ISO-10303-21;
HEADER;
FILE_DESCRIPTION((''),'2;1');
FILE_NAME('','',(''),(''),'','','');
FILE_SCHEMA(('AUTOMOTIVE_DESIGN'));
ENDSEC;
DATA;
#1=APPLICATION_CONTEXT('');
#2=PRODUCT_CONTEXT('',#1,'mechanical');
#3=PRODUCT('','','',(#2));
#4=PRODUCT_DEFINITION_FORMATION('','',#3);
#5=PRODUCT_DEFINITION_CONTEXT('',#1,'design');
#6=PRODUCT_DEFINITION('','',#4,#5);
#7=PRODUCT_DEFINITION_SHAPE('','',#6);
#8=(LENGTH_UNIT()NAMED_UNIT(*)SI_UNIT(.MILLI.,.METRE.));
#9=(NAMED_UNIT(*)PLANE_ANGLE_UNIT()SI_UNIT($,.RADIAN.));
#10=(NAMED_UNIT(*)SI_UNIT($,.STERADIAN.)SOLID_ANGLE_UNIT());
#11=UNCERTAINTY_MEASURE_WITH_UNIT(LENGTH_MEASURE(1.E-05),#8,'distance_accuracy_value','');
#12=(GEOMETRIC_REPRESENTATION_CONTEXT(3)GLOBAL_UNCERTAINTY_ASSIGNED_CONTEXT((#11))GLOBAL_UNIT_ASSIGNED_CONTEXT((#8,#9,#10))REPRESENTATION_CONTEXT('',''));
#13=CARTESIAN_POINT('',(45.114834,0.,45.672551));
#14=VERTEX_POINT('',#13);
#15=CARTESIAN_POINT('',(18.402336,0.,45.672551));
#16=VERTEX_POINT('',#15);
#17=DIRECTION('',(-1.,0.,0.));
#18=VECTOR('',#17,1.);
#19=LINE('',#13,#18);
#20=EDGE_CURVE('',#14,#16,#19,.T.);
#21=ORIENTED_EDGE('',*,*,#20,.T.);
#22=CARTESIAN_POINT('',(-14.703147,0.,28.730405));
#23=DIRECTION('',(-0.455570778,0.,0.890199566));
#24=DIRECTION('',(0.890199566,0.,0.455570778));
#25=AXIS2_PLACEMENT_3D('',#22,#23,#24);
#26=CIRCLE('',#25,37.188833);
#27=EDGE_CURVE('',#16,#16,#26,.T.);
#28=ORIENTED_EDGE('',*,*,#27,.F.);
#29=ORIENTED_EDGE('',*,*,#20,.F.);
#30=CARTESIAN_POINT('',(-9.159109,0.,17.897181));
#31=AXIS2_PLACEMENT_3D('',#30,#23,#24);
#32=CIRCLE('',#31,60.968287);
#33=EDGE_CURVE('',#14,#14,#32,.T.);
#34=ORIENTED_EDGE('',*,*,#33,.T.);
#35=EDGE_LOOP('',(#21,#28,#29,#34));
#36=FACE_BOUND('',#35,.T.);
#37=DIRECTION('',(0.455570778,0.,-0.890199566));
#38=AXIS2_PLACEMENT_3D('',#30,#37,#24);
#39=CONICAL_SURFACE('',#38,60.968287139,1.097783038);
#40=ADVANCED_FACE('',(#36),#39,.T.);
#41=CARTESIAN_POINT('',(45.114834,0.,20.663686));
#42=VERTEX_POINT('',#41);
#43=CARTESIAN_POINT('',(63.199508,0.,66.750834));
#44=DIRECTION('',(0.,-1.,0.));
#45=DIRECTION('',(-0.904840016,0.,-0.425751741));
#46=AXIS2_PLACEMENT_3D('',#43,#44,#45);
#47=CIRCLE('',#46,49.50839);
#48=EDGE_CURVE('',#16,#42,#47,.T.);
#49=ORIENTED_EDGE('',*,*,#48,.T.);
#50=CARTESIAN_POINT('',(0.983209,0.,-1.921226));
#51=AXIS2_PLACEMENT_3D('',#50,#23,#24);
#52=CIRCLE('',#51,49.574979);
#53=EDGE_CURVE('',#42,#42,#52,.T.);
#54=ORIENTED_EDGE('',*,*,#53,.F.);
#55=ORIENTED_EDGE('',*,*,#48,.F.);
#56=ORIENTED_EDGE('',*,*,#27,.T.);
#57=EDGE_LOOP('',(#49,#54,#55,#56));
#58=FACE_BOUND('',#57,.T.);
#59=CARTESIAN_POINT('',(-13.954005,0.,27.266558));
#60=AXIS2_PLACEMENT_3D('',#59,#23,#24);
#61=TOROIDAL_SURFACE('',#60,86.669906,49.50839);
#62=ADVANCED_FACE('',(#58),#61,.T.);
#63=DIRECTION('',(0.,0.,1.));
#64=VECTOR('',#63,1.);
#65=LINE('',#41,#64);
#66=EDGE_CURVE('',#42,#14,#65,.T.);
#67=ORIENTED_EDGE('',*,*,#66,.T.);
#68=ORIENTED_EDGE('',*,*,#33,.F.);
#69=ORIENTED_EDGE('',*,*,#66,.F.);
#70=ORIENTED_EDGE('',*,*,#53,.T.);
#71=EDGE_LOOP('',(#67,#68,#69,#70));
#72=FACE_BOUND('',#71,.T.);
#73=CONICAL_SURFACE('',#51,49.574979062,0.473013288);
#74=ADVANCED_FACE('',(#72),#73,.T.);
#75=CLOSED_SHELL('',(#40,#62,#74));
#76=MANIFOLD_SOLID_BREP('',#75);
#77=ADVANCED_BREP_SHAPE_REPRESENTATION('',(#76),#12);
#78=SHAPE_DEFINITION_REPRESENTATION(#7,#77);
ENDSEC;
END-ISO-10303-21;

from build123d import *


with BuildPart() as f1:
    # F0 (on Front) → F1 (revolve)
    with BuildSketch(Plane.XZ):
        with BuildLine():
            ThreePointArc((18.402336, 45.672551), (29.363248, 30.609609), (45.114834, 20.663686))
            Line((45.114834, 20.663686), (45.114834, 45.672551))
            Line((45.114834, 45.672551), (18.402336, 45.672551))
        make_face()
    revolve(axis=Axis((-16.420325, 0, 32.085825), (-0.455571, 0, 0.8902)))


solid = f1.part
